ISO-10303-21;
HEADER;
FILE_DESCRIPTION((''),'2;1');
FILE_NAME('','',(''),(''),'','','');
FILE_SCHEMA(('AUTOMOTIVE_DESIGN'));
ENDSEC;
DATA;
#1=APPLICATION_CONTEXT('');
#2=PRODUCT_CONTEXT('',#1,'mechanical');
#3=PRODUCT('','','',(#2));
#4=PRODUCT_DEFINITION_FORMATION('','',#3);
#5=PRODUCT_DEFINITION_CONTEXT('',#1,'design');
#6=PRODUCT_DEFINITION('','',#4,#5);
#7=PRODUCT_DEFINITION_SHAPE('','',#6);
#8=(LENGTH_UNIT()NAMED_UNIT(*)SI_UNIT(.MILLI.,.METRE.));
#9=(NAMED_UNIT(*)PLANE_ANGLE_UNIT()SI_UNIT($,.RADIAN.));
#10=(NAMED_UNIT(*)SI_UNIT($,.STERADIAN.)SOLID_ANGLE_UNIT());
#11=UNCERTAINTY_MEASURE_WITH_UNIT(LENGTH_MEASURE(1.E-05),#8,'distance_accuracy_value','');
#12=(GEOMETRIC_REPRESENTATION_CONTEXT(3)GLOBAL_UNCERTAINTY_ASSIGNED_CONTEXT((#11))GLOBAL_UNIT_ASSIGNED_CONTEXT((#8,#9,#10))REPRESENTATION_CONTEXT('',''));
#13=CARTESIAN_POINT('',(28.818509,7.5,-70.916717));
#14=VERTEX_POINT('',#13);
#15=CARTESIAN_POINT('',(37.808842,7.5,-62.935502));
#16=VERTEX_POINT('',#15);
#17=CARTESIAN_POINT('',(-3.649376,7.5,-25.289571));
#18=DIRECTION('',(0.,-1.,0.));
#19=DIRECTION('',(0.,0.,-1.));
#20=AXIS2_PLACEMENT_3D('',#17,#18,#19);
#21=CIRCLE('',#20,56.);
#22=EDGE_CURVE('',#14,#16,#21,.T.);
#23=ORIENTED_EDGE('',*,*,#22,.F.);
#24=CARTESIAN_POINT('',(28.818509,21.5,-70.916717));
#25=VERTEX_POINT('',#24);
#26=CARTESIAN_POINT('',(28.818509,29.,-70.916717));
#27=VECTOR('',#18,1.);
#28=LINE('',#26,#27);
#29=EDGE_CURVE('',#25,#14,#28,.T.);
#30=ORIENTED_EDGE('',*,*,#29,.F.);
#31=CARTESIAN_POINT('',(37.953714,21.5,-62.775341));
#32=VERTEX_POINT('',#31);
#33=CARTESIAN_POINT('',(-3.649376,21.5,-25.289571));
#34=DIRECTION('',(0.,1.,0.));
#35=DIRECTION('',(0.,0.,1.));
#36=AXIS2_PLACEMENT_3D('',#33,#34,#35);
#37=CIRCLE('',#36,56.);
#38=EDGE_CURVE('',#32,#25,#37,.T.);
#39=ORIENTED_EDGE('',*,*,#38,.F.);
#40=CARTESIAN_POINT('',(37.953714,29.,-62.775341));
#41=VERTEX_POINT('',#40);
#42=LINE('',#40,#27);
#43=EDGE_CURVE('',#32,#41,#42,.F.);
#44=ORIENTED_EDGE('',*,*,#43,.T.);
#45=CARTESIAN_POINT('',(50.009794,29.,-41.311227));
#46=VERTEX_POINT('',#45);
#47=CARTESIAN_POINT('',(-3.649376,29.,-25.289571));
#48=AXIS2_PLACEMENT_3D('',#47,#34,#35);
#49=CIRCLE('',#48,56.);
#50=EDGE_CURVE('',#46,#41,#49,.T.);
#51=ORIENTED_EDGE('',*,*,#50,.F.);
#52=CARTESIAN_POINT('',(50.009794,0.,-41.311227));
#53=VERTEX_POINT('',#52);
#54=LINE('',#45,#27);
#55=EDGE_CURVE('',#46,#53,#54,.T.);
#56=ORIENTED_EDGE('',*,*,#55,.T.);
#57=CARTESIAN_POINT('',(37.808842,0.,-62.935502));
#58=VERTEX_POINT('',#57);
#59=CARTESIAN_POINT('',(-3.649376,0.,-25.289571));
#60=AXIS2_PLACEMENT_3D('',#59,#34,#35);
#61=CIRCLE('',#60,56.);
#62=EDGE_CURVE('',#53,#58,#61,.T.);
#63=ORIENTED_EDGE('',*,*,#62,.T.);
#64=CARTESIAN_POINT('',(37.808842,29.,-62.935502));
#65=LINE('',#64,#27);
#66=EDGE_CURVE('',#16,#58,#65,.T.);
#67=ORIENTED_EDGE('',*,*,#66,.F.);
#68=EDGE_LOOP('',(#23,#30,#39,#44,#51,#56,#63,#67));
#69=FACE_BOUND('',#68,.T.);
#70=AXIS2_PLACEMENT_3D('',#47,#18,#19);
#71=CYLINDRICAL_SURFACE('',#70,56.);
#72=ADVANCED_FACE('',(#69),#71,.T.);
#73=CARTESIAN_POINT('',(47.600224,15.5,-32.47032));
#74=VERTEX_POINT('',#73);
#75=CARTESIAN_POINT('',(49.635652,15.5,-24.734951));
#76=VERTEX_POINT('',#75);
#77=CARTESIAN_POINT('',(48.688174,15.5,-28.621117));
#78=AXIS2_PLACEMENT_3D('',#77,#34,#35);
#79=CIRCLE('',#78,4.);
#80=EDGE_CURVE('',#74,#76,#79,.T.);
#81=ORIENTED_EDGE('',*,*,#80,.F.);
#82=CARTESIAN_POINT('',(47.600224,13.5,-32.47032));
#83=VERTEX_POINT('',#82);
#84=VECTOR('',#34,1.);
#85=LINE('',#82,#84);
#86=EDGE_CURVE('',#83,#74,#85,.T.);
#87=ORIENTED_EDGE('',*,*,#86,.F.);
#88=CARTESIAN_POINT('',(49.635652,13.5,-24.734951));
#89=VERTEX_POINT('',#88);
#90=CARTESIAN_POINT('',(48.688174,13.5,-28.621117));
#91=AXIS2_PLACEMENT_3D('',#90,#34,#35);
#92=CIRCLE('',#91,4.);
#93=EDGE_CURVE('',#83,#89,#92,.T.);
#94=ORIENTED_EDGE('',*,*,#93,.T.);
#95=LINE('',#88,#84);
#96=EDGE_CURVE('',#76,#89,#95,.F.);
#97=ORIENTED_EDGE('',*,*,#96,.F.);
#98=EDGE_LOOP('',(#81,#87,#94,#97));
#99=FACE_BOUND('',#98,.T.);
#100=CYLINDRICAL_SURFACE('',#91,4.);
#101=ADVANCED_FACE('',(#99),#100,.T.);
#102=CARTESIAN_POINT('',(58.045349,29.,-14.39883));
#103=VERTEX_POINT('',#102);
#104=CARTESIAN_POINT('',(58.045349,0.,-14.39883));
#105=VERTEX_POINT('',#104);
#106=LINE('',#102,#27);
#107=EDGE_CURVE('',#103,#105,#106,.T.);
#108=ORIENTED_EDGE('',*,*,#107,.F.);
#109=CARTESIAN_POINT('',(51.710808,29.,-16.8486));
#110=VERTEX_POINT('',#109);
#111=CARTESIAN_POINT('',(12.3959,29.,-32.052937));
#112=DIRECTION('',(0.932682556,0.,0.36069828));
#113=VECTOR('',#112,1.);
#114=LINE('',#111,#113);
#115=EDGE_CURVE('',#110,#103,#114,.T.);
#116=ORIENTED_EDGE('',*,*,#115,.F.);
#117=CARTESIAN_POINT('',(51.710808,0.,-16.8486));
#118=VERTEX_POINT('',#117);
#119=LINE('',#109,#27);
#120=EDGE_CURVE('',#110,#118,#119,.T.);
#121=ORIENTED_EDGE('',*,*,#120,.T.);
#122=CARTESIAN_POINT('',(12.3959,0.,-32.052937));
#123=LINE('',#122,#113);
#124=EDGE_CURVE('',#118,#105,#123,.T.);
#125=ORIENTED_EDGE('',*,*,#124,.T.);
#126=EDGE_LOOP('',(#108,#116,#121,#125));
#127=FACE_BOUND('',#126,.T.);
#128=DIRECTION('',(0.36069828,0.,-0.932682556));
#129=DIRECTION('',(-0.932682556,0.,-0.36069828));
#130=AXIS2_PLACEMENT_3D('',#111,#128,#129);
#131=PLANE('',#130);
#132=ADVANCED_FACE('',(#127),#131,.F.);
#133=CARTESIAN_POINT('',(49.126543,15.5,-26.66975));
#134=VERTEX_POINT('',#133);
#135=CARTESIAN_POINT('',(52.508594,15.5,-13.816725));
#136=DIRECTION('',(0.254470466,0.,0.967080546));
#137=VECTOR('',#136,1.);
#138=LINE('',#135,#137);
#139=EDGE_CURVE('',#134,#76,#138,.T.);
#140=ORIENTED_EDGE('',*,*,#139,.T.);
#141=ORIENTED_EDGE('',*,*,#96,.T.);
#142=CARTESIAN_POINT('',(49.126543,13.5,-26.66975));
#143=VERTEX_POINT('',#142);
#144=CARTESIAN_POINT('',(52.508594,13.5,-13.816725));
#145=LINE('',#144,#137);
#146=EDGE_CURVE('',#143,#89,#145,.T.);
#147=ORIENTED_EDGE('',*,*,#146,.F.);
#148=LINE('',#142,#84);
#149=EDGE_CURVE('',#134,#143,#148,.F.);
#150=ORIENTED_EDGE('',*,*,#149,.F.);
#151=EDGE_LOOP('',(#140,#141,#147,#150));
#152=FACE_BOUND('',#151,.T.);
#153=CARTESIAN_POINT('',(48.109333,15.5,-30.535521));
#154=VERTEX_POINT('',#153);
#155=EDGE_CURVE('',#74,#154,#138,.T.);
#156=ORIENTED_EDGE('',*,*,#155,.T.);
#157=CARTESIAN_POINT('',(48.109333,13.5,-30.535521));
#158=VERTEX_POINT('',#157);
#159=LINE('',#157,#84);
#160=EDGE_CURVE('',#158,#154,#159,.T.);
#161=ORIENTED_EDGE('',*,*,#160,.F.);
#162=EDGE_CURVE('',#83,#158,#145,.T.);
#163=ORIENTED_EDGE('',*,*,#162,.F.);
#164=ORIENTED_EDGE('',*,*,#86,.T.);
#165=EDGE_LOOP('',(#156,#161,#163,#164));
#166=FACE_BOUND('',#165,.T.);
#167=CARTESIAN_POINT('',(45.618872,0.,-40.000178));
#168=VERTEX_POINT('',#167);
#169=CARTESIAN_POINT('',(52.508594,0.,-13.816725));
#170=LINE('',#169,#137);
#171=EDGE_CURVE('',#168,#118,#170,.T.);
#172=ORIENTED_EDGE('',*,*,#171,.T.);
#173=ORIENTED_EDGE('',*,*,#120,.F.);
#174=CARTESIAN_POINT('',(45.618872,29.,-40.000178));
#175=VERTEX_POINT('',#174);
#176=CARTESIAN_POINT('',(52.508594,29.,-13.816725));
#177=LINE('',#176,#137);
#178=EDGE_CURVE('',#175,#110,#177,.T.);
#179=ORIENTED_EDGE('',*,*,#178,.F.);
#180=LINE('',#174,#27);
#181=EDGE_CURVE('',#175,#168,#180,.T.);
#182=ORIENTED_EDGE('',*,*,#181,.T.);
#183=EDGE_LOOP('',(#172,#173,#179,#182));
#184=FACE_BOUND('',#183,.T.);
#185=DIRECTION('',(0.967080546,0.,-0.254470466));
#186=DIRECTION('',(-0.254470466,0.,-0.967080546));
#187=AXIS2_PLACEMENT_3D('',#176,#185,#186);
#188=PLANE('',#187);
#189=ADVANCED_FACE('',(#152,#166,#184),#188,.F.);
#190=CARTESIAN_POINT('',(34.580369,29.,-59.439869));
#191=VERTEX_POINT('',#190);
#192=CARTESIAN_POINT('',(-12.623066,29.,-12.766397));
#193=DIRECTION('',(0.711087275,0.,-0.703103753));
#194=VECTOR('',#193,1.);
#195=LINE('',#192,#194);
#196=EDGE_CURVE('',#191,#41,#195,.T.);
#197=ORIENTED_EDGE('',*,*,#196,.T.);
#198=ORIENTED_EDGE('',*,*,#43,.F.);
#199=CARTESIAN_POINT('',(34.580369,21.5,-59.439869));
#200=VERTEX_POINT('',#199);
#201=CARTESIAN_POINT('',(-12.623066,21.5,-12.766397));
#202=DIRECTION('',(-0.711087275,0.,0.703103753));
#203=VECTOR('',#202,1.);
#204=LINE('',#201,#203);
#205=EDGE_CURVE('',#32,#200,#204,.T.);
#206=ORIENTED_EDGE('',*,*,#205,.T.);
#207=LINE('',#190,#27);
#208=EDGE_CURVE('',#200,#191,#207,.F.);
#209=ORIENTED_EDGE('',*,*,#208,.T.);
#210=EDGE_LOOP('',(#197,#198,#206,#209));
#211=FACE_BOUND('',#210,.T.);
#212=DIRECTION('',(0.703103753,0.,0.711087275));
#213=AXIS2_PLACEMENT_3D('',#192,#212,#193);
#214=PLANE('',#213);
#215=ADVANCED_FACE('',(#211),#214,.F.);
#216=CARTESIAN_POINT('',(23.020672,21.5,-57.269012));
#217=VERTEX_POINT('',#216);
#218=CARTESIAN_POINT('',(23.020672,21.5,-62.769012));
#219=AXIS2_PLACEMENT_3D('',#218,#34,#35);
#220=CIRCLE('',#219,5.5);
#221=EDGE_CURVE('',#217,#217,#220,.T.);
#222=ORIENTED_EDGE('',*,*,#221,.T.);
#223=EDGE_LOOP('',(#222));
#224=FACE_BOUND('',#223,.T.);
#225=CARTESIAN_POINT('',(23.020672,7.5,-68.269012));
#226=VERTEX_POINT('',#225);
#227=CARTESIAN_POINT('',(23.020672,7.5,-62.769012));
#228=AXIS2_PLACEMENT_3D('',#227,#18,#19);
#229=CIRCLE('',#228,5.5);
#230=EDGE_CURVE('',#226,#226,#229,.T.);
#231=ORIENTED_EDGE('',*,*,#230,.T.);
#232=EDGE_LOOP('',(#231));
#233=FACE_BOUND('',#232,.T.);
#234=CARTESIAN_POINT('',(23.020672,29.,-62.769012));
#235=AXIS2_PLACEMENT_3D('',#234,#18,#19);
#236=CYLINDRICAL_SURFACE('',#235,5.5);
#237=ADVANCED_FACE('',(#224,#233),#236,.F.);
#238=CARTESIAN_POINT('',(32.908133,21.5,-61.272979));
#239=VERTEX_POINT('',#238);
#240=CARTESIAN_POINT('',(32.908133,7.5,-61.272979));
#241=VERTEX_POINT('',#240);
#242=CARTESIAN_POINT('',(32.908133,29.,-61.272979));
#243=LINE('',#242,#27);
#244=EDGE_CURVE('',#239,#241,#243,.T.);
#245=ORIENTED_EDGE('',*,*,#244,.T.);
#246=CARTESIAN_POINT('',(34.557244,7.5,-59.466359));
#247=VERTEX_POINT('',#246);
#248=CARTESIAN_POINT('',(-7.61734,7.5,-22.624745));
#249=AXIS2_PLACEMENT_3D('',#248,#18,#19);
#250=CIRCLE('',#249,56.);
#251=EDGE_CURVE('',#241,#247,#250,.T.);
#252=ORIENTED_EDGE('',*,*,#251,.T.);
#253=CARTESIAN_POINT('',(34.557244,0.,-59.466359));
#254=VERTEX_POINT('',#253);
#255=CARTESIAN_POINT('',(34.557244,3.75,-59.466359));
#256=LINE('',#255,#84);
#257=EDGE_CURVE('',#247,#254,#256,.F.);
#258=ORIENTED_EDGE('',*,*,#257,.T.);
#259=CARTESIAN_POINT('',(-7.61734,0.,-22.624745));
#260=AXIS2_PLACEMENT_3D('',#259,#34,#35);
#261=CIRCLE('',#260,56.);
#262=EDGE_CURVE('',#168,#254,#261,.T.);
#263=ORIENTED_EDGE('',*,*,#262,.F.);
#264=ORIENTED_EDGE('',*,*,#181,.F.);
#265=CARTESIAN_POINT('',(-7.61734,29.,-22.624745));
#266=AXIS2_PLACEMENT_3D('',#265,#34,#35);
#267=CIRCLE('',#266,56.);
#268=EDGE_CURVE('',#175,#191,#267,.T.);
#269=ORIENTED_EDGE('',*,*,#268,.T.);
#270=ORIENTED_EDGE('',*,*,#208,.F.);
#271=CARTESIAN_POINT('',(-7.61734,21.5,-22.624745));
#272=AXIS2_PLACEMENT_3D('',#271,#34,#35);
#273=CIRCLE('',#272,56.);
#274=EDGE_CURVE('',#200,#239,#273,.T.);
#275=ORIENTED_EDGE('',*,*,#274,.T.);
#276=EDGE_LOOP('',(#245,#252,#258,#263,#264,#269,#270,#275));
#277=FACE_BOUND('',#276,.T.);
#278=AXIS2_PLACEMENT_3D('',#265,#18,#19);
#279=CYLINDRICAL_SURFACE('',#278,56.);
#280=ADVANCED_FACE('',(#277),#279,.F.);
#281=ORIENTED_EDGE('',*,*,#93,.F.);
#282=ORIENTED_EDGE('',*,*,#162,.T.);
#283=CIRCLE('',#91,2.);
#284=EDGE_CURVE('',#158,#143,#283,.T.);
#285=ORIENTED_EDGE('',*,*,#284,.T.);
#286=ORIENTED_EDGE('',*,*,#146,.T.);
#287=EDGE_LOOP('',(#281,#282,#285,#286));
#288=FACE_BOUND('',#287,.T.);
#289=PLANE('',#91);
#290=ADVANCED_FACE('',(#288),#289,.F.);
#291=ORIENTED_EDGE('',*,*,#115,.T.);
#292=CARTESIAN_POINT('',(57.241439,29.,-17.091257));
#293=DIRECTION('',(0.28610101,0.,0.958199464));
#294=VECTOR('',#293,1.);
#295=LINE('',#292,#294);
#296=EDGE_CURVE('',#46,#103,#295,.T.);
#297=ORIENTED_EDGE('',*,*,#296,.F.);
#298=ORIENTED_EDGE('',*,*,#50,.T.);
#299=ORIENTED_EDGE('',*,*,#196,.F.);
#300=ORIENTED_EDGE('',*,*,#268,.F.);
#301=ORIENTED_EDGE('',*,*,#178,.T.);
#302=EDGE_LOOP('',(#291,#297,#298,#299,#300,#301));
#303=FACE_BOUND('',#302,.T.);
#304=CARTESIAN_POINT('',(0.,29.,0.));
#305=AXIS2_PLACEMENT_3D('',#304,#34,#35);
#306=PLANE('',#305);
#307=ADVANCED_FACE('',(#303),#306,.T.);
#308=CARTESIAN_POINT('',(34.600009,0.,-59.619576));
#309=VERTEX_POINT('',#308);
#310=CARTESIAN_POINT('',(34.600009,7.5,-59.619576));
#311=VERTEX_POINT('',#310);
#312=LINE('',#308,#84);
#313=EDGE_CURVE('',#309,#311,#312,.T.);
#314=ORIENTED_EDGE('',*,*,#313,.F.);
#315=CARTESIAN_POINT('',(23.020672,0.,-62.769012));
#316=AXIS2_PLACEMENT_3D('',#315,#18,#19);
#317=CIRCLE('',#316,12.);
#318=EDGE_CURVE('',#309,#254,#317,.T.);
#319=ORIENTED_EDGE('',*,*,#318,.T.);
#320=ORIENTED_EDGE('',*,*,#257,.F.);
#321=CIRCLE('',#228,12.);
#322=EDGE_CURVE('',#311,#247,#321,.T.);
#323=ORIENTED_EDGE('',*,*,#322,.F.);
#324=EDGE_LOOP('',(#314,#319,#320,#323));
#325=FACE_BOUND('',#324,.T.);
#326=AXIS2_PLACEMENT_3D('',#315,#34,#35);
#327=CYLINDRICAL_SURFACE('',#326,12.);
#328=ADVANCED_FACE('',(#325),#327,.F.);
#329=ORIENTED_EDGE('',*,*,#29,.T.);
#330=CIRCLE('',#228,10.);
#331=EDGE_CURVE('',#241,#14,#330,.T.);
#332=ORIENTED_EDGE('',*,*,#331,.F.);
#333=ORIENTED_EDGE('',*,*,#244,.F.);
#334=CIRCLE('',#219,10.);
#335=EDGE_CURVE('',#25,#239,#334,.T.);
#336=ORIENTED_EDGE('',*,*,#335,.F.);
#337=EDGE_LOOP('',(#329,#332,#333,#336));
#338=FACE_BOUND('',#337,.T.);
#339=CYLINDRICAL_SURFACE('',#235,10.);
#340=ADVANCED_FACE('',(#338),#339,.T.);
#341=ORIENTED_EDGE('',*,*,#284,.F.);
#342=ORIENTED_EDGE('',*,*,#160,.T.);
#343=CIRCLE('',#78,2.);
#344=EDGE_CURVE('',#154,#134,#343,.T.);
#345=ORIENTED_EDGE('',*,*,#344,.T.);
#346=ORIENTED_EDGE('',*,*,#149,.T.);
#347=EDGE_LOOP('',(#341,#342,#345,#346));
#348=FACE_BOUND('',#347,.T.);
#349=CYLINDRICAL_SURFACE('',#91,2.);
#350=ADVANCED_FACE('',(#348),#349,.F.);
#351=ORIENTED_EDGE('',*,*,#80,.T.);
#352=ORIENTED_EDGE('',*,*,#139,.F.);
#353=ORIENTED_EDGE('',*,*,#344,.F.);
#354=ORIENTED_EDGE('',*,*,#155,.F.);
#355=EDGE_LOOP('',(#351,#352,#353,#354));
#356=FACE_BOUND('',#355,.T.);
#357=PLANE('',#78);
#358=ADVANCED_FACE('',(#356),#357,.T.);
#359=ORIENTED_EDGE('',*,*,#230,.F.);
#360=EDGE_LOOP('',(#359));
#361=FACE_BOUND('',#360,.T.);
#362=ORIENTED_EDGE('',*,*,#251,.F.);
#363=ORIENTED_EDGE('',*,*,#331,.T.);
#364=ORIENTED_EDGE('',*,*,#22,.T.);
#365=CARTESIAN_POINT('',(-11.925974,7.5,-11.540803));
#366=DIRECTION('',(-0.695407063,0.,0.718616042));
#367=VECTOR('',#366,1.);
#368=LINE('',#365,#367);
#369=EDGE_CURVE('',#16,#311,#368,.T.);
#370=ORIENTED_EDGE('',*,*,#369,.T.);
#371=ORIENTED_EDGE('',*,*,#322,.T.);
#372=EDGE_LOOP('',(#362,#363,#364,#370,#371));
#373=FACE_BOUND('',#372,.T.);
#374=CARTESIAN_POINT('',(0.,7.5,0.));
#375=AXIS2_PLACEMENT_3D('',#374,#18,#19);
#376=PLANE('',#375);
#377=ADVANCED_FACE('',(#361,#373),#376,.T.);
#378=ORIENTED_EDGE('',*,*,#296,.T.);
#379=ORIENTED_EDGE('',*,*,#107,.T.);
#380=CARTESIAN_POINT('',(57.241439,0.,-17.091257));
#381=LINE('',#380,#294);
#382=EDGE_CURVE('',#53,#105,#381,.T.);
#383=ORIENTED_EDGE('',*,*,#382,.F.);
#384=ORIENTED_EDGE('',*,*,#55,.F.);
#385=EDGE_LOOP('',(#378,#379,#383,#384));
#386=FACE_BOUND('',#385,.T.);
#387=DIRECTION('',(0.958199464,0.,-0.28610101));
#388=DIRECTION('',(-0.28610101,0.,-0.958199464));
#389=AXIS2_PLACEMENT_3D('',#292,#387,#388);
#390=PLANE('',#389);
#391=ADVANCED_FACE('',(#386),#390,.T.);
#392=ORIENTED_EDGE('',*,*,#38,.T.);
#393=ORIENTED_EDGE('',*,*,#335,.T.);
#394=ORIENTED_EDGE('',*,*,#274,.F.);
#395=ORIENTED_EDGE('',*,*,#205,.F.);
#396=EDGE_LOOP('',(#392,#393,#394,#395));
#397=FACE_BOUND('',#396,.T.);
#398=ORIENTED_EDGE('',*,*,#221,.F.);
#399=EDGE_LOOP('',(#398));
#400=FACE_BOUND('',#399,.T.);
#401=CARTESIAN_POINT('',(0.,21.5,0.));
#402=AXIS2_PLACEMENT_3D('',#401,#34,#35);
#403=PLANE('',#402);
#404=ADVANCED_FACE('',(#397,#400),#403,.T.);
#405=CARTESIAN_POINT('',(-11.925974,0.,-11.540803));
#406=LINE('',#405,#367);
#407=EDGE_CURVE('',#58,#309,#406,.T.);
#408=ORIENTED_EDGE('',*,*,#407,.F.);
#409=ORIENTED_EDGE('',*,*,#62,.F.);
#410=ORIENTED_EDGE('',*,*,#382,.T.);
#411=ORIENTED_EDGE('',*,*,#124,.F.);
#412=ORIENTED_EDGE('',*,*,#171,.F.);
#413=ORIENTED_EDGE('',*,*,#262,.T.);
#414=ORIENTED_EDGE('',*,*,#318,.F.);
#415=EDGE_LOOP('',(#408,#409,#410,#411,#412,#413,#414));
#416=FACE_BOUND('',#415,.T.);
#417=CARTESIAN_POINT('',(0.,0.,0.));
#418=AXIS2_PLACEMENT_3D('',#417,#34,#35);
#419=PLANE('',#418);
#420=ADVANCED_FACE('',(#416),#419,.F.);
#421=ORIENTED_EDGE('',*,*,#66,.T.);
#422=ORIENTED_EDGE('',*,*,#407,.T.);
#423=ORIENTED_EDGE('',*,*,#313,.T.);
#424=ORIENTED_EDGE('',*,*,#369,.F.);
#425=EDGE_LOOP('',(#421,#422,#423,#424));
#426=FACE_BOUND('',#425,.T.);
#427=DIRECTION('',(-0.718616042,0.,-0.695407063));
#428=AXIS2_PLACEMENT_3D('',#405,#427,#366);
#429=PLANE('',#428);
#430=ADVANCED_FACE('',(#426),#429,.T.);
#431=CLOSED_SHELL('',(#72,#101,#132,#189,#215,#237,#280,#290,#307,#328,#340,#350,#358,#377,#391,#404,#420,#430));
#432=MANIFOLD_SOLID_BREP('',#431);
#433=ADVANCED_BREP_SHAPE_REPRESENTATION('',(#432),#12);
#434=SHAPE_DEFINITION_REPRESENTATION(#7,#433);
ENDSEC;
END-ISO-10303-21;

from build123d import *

# Parameters (mm, degrees)
SKETCH2_R                = 5.5
BOSS_EXTRUDE1_DEPTH      = 29
SKETCH3_R                = 12
CUT_EXTRUDE5_DEPTH       = 7
CUT_EXTRUDE5_DEPTH_BACK  = 0.5
SKETCH6_R                = 12
CUT_EXTRUDE6_DEPTH       = 7
CUT_EXTRUDE6_DEPTH_BACK  = 0.5
SKETCH9_R                = 4
SKETCH9_R_2              = 2
BOSS_EXTRUDE2_DEPTH      = 1
BOSS_EXTRUDE2_DEPTH_BACK = 1


with BuildPart() as part:
    # Sketch2 → Boss-Extrude1 (new body)
    with BuildSketch(Plane(origin=(0, 0, 0), x_dir=(1, 0, 0), z_dir=(0, 1, 0))):
        with BuildLine():
            ThreePointArc((50.009794046, 41.311227393), (41.887297641, 57.884223181), (28.818508763, 70.916716976))
            ThreePointArc((28.818508763, 70.916716976), (13.814285335, 58.864855467), (32.908133208, 61.2729792))
            ThreePointArc((32.908133208, 61.2729792), (40.45496434, 51.34849017), (45.618872448, 40.00017771))
            Line((45.618872448, 40.00017771), (51.710808427, 16.848599978))
            Line((51.710808427, 16.848599978), (58.045348615, 14.398829975))
            Line((58.045348615, 14.398829975), (50.009794046, 41.311227393))
        make_face()
        with Locations((23.020672213, 62.769012309)):
            Circle(SKETCH2_R, mode=Mode.SUBTRACT)
    extrude(amount=BOSS_EXTRUDE1_DEPTH)

    # Sketch3 → Cut-Extrude5 (cut, two sides)
    with BuildSketch(Plane(origin=(0, 7, 0), x_dir=(-1, 0, 0), z_dir=(0, -1, 0))) as cut_extrude5_sk:
        Polygon((-39.457331724, 64.63900974), (-16.53662743, 40.953334568), (-1.019451578, 59.252301049), (-23.940155872, 82.937976221), align=None)
        with Locations((-23.020672213, 62.769012309)):
            Circle(SKETCH3_R, mode=Mode.SUBTRACT)
        with BuildLine():
            ThreePointArc((-11.020672213, 62.769012309), (-24.609375035, 74.663381706), (-34.600009437, 59.619575938))
            Line((-34.600009437, 59.619575938), (-26.548423191, 51.29927068))
            ThreePointArc((-26.548423191, 51.29927068), (-15.890911057, 53.116732482), (-11.020672213, 62.769012309))
        make_face()
        with BuildLine():
            Line((-26.548423191, 51.29927068), (-34.600009437, 59.619575938))
            ThreePointArc((-34.600009437, 59.619575938), (-31.644064723, 54.424127551), (-26.548423191, 51.29927068))
        make_face()
    extrude(amount=CUT_EXTRUDE5_DEPTH, mode=Mode.SUBTRACT)
    extrude(cut_extrude5_sk.sketch, amount=-CUT_EXTRUDE5_DEPTH_BACK, mode=Mode.SUBTRACT)

    # Sketch6 → Cut-Extrude6 (cut, two sides)
    with BuildSketch(Plane(origin=(0, 22, 0), x_dir=(1, 0, 0), z_dir=(0, 1, 0))) as cut_extrude6_sk:
        Polygon((38.61882347, 63.432982973), (15.193844621, 40.271001155), (3.602276136, 63.900303012), (27.027254985, 87.06228483), align=None)
        with Locations((23.020672213, 62.769012309)):
            Circle(SKETCH6_R, mode=Mode.SUBTRACT)
        with BuildLine():
            ThreePointArc((26.262238297, 51.21512771), (31.457917246, 54.235965008), (34.537222393, 59.397206866))
            Line((34.537222393, 59.397206866), (26.262238297, 51.21512771))
        make_face()
        with BuildLine():
            Line((26.262238297, 51.21512771), (34.537222393, 59.397206866))
            ThreePointArc((34.537222393, 59.397206866), (34.899194894, 61.065868475), (35.020672213, 62.769012309))
            ThreePointArc((35.020672213, 62.769012309), (13.457754431, 70.018191814), (26.262238297, 51.21512771))
        make_face()
    extrude(amount=CUT_EXTRUDE6_DEPTH, mode=Mode.SUBTRACT)
    extrude(cut_extrude6_sk.sketch, amount=-CUT_EXTRUDE6_DEPTH_BACK, mode=Mode.SUBTRACT)

    # Sketch9 → Boss-Extrude2 (add, two sides)
    with BuildSketch(Plane(origin=(0, 14.5, 0), x_dir=(1, 0, 0), z_dir=(0, 1, 0))) as boss_extrude2_sk:
        with Locations((48.688174425, 28.621117181)):
            Circle(SKETCH9_R)
        with Locations((48.688174425, 28.621117181)):
            Circle(SKETCH9_R_2, mode=Mode.SUBTRACT)
    extrude(amount=BOSS_EXTRUDE2_DEPTH)
    extrude(boss_extrude2_sk.sketch, amount=-BOSS_EXTRUDE2_DEPTH_BACK)


solid = part.part
